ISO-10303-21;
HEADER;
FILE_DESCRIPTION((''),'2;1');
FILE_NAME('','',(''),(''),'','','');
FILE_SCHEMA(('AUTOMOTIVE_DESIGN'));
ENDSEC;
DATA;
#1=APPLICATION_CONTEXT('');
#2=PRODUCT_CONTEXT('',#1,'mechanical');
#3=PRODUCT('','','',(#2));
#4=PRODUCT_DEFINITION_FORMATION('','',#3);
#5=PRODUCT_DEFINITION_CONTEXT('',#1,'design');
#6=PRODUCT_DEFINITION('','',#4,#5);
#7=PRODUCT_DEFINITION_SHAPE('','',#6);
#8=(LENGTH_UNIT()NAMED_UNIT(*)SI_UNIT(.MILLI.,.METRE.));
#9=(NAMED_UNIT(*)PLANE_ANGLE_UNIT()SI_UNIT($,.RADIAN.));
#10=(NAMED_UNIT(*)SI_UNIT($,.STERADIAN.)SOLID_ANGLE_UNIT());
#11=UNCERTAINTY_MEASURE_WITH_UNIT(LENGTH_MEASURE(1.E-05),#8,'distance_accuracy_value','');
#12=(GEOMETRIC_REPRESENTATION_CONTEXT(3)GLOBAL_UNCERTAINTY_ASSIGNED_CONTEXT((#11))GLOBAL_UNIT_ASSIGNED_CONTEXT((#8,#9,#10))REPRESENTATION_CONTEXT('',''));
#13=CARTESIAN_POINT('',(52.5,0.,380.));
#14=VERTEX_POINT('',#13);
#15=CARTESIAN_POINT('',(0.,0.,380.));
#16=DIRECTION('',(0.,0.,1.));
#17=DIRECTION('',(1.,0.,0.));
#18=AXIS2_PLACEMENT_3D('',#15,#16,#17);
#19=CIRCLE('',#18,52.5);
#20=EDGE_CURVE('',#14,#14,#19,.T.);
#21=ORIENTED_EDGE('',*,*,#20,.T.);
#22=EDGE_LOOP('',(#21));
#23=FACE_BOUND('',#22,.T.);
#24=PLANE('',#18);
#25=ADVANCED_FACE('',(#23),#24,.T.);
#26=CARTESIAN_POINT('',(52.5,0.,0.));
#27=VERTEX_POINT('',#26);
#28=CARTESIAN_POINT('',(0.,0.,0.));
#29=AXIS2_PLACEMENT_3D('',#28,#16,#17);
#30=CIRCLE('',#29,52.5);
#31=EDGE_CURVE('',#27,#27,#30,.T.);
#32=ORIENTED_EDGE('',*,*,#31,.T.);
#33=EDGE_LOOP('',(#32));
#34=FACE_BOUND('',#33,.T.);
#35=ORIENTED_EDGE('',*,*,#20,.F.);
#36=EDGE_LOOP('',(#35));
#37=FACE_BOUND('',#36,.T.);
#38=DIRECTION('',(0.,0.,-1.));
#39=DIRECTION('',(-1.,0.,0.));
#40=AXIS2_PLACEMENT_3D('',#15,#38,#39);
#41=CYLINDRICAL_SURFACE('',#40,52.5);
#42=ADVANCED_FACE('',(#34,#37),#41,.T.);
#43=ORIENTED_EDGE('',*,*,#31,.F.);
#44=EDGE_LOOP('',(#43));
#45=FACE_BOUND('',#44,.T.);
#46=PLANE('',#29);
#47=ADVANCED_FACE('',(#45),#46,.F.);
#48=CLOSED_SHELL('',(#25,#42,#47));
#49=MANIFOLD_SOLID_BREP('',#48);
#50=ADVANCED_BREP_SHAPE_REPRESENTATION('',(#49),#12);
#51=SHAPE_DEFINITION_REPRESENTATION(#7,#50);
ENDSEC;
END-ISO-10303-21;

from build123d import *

# Parameters (mm, degrees)
SKETCH_1_R      = 52.5
EXTRUDE_1_DEPTH = 380


with BuildPart() as part:
    # 草图1 → 凸台-拉伸1 (new body)
    with BuildSketch(Plane.XY):
        Circle(SKETCH_1_R)
    extrude(amount=EXTRUDE_1_DEPTH)


solid = part.part
